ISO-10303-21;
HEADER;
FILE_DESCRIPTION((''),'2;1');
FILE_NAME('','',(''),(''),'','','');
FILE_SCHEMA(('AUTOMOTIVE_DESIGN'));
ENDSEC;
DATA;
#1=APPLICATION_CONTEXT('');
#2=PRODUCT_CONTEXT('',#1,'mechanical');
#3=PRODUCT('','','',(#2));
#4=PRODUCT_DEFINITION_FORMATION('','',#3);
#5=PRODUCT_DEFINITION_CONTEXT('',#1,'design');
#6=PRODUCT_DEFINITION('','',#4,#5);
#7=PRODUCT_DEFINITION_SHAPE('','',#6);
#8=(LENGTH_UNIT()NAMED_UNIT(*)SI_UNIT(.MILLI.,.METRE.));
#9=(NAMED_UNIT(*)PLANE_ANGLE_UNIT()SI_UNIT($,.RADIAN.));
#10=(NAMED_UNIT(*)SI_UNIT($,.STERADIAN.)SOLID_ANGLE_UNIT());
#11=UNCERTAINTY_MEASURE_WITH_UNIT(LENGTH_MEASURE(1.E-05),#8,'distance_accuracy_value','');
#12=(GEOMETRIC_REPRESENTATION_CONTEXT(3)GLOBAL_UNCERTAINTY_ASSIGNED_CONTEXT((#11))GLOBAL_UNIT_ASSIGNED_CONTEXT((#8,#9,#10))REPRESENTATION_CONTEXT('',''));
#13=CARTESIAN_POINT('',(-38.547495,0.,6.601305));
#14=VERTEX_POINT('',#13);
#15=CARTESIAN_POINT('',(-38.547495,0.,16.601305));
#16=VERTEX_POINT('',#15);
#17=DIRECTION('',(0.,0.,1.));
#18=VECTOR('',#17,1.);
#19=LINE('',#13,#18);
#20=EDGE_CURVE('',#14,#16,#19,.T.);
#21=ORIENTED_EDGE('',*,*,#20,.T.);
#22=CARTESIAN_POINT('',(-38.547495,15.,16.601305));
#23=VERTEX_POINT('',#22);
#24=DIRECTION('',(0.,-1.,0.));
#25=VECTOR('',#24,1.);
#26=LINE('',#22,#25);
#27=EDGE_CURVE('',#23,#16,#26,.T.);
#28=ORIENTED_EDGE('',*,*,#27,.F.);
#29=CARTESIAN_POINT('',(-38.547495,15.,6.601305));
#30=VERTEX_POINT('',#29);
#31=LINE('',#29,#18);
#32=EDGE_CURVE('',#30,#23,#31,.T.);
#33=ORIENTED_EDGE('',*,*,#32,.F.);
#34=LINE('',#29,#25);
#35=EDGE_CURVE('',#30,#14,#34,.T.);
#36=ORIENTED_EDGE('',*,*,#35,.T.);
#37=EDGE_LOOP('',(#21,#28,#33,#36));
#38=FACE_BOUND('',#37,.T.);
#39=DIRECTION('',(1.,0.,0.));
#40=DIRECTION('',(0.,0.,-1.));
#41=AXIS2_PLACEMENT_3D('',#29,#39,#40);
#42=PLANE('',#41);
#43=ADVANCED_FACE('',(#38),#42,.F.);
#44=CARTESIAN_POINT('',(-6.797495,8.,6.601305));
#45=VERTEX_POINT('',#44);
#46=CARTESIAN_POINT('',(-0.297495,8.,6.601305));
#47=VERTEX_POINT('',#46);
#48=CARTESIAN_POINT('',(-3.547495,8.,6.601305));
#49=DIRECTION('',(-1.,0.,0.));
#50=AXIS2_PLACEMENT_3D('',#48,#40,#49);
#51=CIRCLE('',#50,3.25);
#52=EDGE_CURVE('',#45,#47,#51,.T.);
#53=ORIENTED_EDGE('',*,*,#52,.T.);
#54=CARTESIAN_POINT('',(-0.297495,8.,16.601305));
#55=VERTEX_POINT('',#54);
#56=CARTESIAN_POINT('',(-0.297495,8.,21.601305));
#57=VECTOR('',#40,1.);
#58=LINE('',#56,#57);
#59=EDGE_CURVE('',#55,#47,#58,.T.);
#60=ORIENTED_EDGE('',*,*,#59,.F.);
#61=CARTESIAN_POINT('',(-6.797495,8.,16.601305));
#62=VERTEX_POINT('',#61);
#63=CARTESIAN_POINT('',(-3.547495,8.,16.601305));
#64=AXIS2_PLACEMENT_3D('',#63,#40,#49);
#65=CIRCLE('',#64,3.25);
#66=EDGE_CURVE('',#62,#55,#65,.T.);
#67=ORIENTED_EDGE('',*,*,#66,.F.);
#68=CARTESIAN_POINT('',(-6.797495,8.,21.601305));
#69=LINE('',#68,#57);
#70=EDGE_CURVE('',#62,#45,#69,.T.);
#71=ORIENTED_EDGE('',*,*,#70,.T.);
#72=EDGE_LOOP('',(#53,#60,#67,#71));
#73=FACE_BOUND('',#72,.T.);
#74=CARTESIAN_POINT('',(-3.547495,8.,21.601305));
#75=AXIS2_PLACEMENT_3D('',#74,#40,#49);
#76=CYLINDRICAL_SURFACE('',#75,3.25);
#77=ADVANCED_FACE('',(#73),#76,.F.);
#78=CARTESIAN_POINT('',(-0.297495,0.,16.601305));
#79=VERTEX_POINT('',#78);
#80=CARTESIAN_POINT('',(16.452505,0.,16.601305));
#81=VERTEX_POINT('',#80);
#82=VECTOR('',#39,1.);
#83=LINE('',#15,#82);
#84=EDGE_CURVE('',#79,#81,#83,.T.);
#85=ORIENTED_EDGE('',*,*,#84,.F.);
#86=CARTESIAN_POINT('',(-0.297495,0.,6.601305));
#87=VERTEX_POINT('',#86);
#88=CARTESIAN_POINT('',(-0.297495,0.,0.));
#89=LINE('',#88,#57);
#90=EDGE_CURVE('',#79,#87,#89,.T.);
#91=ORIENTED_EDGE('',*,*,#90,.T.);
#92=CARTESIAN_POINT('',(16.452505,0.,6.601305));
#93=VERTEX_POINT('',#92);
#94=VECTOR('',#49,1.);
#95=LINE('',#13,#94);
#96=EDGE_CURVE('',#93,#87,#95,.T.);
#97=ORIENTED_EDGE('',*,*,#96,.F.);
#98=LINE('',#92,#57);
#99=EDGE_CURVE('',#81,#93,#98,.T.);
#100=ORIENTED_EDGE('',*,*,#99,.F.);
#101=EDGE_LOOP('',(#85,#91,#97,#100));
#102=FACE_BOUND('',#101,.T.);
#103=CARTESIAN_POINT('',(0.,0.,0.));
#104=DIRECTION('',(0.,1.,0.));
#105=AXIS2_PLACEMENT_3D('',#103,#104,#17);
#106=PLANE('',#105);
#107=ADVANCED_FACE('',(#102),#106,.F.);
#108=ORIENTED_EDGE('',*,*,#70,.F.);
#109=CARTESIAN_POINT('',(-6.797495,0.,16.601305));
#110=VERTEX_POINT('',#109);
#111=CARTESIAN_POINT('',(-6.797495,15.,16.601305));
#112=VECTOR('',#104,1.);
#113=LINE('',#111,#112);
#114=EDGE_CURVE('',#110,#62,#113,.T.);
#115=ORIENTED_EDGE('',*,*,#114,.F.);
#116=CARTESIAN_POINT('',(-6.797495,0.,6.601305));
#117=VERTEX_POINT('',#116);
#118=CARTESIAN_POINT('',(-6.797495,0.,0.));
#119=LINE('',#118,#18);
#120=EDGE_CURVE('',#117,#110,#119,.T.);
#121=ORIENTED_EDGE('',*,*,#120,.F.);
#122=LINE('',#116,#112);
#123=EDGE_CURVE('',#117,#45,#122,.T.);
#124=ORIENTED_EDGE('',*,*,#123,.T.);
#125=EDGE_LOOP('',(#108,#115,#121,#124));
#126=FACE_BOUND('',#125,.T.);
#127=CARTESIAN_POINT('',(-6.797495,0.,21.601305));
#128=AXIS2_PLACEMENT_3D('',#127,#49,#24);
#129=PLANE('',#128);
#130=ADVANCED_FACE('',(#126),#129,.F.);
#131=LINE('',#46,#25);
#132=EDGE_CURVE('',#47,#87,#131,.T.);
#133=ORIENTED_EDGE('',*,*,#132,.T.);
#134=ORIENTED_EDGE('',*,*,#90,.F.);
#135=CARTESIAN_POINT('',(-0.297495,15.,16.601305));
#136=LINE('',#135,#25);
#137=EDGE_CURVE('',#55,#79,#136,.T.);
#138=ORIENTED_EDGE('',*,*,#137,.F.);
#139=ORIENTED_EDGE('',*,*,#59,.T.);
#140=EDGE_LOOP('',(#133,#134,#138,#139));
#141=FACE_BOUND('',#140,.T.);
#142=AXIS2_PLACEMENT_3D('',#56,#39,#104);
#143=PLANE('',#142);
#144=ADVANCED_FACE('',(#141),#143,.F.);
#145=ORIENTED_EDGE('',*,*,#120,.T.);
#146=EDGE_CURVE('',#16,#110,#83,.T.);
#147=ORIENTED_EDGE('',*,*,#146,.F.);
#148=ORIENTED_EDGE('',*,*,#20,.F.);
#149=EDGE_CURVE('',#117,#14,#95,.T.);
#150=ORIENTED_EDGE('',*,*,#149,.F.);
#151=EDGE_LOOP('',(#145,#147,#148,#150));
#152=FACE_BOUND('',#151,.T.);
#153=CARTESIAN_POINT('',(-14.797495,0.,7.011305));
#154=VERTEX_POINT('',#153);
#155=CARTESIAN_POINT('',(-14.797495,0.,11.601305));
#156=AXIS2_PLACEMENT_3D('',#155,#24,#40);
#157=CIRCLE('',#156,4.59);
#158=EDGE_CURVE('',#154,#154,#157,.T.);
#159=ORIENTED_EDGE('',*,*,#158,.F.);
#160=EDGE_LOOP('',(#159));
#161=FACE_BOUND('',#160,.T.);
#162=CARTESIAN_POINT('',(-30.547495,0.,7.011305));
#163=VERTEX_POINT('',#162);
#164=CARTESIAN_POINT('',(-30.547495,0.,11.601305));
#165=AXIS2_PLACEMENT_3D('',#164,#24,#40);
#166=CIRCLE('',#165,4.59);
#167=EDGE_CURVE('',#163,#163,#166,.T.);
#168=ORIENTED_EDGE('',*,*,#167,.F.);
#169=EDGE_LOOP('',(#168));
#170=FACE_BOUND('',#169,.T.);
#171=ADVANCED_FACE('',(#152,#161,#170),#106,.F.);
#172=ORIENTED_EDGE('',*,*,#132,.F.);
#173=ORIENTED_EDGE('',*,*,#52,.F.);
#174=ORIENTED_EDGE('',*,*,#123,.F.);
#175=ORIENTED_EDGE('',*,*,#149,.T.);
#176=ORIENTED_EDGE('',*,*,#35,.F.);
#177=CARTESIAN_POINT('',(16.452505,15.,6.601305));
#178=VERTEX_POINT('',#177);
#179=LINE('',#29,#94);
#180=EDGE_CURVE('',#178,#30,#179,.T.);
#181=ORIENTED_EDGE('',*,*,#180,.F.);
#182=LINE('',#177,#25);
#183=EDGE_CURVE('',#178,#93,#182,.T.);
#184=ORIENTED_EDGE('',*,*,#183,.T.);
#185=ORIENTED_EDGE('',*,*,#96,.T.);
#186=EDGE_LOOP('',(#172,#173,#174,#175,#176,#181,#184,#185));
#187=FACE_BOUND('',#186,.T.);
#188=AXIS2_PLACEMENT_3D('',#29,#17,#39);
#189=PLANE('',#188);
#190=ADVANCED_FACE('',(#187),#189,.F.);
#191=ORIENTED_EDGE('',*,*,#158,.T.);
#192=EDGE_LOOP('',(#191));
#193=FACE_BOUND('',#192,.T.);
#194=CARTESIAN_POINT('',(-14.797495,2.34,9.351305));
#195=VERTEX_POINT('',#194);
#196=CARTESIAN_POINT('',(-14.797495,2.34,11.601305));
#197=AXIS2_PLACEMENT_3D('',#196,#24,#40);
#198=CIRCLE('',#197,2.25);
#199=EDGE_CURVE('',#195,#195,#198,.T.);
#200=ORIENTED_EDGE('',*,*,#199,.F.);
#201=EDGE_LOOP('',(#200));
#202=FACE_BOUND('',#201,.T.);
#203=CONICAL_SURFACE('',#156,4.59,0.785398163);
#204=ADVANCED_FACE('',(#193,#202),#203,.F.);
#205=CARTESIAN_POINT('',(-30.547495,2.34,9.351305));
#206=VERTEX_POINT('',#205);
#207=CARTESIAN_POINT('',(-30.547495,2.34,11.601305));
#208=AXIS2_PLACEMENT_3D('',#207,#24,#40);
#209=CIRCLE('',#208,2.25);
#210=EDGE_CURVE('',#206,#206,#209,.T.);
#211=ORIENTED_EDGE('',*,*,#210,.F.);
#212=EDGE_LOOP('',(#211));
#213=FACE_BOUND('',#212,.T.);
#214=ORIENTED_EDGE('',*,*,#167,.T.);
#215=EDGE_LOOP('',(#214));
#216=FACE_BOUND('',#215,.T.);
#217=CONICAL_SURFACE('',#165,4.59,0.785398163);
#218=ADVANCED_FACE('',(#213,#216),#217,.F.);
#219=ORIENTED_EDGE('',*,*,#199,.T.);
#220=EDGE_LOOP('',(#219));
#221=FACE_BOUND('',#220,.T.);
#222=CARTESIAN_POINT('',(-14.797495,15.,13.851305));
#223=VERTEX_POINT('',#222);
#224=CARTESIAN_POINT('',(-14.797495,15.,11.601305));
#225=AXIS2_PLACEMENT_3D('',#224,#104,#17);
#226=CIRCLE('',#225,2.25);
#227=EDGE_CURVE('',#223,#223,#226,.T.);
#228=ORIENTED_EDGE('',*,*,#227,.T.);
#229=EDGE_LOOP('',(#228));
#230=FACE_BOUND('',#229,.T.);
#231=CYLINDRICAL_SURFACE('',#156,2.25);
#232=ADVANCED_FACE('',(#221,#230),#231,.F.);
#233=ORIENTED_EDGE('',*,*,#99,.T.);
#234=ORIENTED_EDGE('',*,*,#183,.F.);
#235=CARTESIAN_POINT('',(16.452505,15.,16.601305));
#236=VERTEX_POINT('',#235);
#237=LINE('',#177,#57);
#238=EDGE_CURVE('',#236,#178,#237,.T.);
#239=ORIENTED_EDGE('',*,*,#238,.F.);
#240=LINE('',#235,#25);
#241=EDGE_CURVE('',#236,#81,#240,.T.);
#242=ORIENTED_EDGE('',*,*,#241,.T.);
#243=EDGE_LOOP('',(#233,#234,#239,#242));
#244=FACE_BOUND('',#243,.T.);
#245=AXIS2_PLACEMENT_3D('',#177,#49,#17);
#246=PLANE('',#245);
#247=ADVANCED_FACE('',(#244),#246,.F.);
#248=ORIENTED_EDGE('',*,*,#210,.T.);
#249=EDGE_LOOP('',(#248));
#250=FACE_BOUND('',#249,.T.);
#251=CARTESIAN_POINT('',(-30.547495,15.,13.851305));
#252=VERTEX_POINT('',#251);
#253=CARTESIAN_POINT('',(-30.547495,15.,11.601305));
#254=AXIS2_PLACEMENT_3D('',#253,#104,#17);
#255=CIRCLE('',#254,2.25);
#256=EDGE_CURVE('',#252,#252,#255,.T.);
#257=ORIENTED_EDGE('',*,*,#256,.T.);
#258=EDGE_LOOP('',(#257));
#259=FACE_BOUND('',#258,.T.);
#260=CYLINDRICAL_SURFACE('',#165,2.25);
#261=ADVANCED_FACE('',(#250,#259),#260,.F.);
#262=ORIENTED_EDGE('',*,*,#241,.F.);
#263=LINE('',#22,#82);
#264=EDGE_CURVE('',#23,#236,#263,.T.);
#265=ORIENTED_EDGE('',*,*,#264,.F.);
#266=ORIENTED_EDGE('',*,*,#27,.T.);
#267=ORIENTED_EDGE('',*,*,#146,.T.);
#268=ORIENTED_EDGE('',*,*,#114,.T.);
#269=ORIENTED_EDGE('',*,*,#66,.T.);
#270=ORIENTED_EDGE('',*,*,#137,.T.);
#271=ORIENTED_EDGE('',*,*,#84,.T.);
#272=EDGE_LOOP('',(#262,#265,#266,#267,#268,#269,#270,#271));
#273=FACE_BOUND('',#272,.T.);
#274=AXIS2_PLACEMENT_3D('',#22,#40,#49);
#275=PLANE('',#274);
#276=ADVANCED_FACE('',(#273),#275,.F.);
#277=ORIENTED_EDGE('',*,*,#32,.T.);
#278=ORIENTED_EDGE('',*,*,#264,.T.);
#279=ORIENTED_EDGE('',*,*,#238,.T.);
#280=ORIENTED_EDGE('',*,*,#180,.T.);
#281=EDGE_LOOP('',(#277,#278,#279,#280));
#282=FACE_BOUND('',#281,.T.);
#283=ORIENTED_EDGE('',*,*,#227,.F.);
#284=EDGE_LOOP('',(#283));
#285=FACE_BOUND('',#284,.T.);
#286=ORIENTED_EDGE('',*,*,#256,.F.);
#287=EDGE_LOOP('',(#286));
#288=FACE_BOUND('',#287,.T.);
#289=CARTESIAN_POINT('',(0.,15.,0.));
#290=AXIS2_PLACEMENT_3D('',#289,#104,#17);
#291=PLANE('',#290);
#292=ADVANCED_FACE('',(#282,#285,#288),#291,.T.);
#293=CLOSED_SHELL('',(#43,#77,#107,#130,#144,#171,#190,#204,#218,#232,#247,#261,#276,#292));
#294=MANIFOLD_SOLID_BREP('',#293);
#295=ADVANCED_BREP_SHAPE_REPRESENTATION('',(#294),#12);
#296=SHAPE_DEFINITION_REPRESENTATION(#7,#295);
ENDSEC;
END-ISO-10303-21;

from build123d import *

# Parameters (mm, degrees)
SKIZZE1_W                                            = 55
SKIZZE1_H                                            = 10
AUFSATZ_LINEAR_AUSTRAGEN1_DEPTH                      = 15
SCHNITT_LINEAR_AUSTRAGEN1_DEPTH                      = 15
SKIZZE3_R                                            = 1
SCHNITT_LINEAR_AUSTRAGEN2_DEPTH                      = 20
FORMSENKUNG_F_R_M4_SENKSCHRAUBE_MIT_INNE_D           = 4.5
FORMSENKUNG_F_R_M4_SENKSCHRAUBE_MIT_INNE_DEPTH       = 21.5
FORMSENKUNG_F_R_M4_SENKSCHRAUBE_MIT_INNE_CSINK_D     = 9.18
FORMSENKUNG_F_R_M4_SENKSCHRAUBE_MIT_INNE_CSINK_ANGLE = 90
FORMSENKUNG_F_R_M4_SENKSCHRAUBE_MIT_INNE_TIP         = 1.351936393


with BuildPart() as part:
    # Skizze1 → Aufsatz-Linear austragen1 (new body)
    with BuildSketch(Plane(origin=(0, 0, 0), x_dir=(1, 0, 0), z_dir=(0, 1, 0))):
        with Locations((-11.047495286, -11.601305052)):
            Rectangle(SKIZZE1_W, SKIZZE1_H)
    extrude(amount=AUFSATZ_LINEAR_AUSTRAGEN1_DEPTH)

    # Skizze2 → Schnitt-Linear austragen1 (cut)
    with BuildSketch(Plane(origin=(0, 0, 6.601305052), x_dir=(-1, 0, 0), z_dir=(0, 0, -1))):
        with BuildLine():
            Line((0.297495286, 8), (0.297495286, 0))
            Line((0.297495286, 0), (6.797495286, 0))
            Line((6.797495286, 0), (6.797495286, 8))
            ThreePointArc((6.797495286, 8), (3.547495286, 11.25), (0.297495286, 8))
        make_face()
    extrude(amount=-SCHNITT_LINEAR_AUSTRAGEN1_DEPTH, mode=Mode.SUBTRACT)

    # Skizze3 → Schnitt-Linear austragen2 (cut)
    with BuildSketch(Plane.XZ):
        with Locations(Location((-14.797495286, 11.601305052, 0), (0, 0, 270))):
            Circle(SKIZZE3_R)
        with Locations(Location((-30.547495286, 11.601305052, 0), (0, 0, 270))):
            Circle(SKIZZE3_R)
    extrude(amount=-SCHNITT_LINEAR_AUSTRAGEN2_DEPTH, mode=Mode.SUBTRACT)

    # Formsenkung für M4 Senkschraube mit Innensechskant1
    with Locations(Plane(origin=(-30.547495286, 0, 11.601305052), x_dir=(0, 0, -1), z_dir=(0, -1, 0))):
        with Locations((0, 0), (0, 15.75)):
            CounterSinkHole(FORMSENKUNG_F_R_M4_SENKSCHRAUBE_MIT_INNE_D / 2, FORMSENKUNG_F_R_M4_SENKSCHRAUBE_MIT_INNE_CSINK_D / 2, depth=FORMSENKUNG_F_R_M4_SENKSCHRAUBE_MIT_INNE_DEPTH, counter_sink_angle=FORMSENKUNG_F_R_M4_SENKSCHRAUBE_MIT_INNE_CSINK_ANGLE)
            with Locations((0, 0, -(FORMSENKUNG_F_R_M4_SENKSCHRAUBE_MIT_INNE_DEPTH + FORMSENKUNG_F_R_M4_SENKSCHRAUBE_MIT_INNE_TIP / 2))):  # 118° drill point
                Cone(0, FORMSENKUNG_F_R_M4_SENKSCHRAUBE_MIT_INNE_D / 2, FORMSENKUNG_F_R_M4_SENKSCHRAUBE_MIT_INNE_TIP, mode=Mode.SUBTRACT)


solid = part.part
